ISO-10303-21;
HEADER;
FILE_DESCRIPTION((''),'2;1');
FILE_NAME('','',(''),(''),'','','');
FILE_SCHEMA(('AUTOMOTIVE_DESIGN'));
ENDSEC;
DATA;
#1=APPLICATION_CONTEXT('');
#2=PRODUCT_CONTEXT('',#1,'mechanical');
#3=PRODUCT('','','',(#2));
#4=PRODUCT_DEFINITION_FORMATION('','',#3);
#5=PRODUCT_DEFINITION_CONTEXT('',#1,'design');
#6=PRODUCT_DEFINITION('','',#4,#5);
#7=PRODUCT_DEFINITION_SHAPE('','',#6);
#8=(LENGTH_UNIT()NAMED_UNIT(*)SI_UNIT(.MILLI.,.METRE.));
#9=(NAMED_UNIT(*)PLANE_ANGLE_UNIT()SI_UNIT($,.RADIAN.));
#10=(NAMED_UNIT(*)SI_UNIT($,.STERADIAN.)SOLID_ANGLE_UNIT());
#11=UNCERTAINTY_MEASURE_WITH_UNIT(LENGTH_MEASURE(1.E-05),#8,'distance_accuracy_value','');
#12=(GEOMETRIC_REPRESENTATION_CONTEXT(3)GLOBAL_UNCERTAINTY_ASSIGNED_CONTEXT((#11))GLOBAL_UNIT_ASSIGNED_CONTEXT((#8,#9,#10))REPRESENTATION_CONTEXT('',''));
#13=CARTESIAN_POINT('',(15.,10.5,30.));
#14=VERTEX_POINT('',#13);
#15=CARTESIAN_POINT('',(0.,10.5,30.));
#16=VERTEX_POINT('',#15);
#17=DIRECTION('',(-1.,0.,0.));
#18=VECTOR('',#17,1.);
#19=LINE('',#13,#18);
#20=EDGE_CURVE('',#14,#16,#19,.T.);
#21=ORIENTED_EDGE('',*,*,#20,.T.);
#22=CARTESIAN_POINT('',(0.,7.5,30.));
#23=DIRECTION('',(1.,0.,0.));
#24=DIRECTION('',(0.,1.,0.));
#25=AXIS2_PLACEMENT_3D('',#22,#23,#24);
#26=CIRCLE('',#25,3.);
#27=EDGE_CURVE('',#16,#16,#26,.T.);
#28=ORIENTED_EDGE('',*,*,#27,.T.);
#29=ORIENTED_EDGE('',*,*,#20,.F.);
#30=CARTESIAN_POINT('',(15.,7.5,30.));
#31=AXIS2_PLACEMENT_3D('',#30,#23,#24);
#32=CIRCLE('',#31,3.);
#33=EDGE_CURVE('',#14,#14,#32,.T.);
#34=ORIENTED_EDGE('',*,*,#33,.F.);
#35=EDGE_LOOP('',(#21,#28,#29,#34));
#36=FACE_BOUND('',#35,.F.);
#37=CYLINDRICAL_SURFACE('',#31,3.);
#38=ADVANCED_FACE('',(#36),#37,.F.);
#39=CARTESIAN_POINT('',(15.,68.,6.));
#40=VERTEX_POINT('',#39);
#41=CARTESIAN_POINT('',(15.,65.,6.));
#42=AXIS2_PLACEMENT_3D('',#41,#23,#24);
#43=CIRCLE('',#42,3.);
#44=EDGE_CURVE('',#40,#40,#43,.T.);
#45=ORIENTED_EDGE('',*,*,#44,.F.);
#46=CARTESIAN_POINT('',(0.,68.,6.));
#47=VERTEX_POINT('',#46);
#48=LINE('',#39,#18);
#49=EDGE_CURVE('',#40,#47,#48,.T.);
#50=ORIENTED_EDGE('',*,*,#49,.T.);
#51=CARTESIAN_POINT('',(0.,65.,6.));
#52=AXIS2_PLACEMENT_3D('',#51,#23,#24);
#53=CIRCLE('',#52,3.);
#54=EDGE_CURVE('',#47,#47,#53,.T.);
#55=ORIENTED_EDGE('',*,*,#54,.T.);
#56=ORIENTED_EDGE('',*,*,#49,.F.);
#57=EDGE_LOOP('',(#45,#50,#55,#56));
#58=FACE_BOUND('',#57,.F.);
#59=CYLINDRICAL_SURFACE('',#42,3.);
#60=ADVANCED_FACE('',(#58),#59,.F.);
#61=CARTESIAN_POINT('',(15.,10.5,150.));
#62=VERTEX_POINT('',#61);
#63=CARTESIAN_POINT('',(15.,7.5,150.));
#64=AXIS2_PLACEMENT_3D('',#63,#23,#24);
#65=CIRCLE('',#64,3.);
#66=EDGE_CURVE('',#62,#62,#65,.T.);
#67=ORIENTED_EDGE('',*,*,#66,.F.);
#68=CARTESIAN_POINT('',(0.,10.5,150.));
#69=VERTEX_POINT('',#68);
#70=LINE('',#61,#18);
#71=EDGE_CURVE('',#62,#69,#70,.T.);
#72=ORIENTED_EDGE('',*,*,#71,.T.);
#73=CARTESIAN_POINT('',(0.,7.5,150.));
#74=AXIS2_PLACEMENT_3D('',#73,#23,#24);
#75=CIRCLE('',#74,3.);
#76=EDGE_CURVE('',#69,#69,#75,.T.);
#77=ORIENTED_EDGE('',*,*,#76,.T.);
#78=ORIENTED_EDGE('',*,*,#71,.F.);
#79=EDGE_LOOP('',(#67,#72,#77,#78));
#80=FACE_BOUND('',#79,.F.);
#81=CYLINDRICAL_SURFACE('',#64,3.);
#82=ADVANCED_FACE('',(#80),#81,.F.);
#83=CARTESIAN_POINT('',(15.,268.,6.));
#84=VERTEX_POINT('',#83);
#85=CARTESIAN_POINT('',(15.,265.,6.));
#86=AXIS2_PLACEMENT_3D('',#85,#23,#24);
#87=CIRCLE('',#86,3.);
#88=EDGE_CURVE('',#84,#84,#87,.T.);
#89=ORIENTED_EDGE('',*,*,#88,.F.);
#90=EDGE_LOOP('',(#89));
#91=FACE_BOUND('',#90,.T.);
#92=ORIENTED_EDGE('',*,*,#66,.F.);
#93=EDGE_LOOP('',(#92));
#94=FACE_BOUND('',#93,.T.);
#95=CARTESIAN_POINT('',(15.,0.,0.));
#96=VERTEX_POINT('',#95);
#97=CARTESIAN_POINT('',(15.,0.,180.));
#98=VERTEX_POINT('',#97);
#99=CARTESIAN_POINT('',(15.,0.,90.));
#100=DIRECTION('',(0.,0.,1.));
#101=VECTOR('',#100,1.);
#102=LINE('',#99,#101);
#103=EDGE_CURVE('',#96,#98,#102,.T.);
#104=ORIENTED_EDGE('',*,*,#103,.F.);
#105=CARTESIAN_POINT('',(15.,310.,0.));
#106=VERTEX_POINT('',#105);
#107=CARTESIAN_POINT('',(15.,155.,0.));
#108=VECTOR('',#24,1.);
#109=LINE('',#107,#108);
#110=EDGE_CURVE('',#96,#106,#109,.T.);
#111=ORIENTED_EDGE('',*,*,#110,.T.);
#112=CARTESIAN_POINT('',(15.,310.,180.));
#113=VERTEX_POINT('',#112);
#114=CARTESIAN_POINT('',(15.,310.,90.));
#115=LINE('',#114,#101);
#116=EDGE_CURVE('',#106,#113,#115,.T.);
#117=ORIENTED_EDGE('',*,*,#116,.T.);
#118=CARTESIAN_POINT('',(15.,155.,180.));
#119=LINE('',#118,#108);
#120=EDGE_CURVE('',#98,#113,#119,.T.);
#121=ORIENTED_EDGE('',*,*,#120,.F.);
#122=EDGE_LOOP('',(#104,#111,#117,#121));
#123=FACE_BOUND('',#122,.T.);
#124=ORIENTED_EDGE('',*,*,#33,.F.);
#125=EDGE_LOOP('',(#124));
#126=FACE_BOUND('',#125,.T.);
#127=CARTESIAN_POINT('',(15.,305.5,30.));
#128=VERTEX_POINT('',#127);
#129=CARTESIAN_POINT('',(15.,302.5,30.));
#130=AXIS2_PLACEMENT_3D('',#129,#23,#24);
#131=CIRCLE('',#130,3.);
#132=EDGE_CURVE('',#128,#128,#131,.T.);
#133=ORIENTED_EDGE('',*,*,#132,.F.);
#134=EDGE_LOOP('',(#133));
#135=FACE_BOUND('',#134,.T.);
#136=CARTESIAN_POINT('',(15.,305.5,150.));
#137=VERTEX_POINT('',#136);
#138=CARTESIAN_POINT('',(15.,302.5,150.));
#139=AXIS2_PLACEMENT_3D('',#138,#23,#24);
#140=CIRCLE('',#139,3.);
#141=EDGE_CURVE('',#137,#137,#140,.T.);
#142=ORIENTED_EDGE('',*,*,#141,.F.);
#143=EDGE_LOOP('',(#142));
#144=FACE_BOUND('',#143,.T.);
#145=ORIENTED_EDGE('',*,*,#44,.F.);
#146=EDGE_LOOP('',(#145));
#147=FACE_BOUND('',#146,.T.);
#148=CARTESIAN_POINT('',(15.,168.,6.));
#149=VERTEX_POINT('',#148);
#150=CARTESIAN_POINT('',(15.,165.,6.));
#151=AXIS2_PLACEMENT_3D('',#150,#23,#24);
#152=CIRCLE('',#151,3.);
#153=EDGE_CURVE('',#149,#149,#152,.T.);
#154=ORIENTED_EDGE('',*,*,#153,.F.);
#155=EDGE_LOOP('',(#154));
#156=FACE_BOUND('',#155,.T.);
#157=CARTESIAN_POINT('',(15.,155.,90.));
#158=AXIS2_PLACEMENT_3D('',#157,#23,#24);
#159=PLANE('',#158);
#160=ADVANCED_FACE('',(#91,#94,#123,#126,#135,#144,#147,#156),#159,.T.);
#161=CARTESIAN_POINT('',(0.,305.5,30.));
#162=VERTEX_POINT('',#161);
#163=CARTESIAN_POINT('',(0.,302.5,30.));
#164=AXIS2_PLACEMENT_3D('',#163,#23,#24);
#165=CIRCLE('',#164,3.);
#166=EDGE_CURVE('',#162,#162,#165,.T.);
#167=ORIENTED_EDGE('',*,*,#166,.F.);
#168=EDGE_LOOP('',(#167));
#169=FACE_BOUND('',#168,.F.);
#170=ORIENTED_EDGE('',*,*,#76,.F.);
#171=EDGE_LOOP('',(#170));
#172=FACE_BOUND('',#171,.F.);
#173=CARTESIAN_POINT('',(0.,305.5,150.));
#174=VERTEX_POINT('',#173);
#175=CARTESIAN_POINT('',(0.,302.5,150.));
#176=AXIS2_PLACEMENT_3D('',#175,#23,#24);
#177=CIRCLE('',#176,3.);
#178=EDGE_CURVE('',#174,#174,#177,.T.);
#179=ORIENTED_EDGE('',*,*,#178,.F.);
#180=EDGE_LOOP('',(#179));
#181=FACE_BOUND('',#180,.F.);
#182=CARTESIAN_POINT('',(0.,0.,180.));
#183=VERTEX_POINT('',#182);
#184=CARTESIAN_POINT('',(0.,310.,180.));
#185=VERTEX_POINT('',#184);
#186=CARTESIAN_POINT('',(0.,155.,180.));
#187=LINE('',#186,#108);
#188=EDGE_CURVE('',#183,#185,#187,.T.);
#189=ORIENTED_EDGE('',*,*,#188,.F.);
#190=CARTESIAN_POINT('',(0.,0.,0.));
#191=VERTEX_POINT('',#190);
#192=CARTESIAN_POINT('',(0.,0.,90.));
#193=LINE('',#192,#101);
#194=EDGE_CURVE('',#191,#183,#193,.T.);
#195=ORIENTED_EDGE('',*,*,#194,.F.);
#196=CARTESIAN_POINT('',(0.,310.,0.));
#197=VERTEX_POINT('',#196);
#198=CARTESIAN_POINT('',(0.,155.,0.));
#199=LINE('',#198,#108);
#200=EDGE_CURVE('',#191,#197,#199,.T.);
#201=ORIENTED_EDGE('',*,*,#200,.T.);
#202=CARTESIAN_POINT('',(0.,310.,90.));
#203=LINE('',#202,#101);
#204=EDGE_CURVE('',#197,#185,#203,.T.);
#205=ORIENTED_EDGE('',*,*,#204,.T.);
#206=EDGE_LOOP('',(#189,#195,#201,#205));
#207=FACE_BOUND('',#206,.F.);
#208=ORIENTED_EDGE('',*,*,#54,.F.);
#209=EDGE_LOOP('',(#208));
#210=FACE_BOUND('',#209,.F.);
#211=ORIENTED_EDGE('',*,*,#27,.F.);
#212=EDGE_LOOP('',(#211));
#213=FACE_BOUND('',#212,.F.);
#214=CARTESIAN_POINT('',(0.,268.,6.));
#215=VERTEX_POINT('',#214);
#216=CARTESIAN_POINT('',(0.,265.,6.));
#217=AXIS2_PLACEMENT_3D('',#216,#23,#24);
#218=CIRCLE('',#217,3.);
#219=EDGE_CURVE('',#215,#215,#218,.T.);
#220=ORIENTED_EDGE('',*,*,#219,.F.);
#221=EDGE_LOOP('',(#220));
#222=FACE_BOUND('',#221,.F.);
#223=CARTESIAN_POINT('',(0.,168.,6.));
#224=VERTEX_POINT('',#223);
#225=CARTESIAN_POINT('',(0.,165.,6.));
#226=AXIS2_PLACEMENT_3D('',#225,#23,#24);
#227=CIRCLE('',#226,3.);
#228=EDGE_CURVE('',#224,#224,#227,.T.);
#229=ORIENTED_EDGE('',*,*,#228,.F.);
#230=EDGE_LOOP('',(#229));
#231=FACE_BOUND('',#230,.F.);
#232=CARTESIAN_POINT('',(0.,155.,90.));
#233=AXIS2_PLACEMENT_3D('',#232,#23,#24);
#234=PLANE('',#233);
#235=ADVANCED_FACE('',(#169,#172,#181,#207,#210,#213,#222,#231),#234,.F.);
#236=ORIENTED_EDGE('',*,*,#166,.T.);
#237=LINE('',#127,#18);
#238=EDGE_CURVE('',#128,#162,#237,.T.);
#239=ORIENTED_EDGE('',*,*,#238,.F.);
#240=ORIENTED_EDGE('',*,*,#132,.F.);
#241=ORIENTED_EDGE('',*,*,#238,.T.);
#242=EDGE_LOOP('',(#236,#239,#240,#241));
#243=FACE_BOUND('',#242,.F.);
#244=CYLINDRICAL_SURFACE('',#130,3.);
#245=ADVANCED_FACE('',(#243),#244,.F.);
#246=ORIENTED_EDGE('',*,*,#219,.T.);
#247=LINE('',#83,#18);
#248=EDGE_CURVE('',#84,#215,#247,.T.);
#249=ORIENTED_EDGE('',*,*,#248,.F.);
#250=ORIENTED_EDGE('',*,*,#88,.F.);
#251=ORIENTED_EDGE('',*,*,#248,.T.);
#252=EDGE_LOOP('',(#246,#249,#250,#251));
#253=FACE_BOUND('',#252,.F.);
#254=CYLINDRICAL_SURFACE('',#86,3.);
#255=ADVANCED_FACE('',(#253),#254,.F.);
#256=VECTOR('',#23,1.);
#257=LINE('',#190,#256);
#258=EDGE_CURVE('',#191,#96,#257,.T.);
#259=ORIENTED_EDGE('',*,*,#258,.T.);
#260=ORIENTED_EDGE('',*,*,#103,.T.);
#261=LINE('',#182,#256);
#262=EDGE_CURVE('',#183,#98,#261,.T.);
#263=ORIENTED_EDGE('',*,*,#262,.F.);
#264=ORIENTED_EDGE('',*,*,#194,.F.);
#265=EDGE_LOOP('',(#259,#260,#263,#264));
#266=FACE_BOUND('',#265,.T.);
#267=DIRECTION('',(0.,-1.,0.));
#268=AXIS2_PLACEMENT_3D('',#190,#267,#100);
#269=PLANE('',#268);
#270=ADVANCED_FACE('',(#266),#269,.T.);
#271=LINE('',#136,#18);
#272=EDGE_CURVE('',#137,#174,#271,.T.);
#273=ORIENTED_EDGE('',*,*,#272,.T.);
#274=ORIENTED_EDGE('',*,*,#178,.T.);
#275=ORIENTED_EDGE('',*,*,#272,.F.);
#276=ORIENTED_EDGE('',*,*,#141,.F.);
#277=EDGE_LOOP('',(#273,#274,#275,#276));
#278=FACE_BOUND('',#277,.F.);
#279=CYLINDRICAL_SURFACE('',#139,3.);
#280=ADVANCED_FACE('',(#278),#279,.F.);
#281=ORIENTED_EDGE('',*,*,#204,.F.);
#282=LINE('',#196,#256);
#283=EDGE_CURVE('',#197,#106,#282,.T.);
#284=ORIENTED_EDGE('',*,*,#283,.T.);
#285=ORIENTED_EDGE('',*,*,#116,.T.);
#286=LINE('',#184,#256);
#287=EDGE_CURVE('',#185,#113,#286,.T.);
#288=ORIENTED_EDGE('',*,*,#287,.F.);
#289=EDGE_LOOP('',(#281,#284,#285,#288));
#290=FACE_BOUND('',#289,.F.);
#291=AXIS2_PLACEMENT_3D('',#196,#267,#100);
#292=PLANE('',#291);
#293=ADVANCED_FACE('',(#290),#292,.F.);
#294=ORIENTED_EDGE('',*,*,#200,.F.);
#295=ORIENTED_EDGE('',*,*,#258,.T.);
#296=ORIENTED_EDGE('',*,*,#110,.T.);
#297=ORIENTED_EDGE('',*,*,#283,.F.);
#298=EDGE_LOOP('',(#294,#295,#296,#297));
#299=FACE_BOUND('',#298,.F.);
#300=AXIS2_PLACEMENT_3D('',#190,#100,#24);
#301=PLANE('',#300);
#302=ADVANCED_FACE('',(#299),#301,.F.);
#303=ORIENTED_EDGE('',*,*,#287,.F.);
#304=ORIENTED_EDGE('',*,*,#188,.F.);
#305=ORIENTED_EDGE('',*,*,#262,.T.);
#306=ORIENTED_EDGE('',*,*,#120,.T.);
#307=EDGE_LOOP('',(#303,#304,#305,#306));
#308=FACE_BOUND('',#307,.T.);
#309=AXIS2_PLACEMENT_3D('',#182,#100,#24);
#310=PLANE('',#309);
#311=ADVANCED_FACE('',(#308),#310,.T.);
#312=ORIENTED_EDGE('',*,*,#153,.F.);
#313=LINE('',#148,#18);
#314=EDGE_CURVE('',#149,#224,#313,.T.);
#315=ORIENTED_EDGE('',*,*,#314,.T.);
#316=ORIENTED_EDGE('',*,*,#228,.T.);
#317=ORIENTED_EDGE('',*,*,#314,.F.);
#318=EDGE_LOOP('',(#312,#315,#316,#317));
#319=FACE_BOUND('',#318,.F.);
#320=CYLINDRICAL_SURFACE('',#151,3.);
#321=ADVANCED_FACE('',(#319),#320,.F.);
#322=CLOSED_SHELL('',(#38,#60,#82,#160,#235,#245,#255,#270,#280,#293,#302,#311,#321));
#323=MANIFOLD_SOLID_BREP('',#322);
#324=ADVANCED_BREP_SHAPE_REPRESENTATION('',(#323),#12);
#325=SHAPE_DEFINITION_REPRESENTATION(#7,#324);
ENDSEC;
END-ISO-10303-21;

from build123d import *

# Parameters (mm, degrees)
F0_W     = 310
F0_H     = 180
F1_DEPTH = 15
F2_R     = 3
F3_DEPTH = 15.001


with BuildPart() as f1:
    # F0 (on Right) → F1 (new body)
    with BuildSketch(Plane.YZ):
        with Locations((155, 90)):
            Rectangle(F0_W, F0_H)
    extrude(amount=F1_DEPTH)

    # F2 (on face) → F3 (cut, through all)
    with BuildSketch(Plane.YZ.offset(15)):
        with Locations((7.5, 30)):
            Circle(F2_R)
        with Locations((7.5, 150)):
            Circle(F2_R)
        with Locations((302.5, 150)):
            Circle(F2_R)
        with Locations((302.5, 30)):
            Circle(F2_R)
        with Locations((65, 6)):
            Circle(F2_R)
        with Locations((165, 6)):
            Circle(F2_R)
        with Locations((265, 6)):
            Circle(F2_R)
    extrude(amount=-F3_DEPTH, mode=Mode.SUBTRACT)


solid = f1.part
